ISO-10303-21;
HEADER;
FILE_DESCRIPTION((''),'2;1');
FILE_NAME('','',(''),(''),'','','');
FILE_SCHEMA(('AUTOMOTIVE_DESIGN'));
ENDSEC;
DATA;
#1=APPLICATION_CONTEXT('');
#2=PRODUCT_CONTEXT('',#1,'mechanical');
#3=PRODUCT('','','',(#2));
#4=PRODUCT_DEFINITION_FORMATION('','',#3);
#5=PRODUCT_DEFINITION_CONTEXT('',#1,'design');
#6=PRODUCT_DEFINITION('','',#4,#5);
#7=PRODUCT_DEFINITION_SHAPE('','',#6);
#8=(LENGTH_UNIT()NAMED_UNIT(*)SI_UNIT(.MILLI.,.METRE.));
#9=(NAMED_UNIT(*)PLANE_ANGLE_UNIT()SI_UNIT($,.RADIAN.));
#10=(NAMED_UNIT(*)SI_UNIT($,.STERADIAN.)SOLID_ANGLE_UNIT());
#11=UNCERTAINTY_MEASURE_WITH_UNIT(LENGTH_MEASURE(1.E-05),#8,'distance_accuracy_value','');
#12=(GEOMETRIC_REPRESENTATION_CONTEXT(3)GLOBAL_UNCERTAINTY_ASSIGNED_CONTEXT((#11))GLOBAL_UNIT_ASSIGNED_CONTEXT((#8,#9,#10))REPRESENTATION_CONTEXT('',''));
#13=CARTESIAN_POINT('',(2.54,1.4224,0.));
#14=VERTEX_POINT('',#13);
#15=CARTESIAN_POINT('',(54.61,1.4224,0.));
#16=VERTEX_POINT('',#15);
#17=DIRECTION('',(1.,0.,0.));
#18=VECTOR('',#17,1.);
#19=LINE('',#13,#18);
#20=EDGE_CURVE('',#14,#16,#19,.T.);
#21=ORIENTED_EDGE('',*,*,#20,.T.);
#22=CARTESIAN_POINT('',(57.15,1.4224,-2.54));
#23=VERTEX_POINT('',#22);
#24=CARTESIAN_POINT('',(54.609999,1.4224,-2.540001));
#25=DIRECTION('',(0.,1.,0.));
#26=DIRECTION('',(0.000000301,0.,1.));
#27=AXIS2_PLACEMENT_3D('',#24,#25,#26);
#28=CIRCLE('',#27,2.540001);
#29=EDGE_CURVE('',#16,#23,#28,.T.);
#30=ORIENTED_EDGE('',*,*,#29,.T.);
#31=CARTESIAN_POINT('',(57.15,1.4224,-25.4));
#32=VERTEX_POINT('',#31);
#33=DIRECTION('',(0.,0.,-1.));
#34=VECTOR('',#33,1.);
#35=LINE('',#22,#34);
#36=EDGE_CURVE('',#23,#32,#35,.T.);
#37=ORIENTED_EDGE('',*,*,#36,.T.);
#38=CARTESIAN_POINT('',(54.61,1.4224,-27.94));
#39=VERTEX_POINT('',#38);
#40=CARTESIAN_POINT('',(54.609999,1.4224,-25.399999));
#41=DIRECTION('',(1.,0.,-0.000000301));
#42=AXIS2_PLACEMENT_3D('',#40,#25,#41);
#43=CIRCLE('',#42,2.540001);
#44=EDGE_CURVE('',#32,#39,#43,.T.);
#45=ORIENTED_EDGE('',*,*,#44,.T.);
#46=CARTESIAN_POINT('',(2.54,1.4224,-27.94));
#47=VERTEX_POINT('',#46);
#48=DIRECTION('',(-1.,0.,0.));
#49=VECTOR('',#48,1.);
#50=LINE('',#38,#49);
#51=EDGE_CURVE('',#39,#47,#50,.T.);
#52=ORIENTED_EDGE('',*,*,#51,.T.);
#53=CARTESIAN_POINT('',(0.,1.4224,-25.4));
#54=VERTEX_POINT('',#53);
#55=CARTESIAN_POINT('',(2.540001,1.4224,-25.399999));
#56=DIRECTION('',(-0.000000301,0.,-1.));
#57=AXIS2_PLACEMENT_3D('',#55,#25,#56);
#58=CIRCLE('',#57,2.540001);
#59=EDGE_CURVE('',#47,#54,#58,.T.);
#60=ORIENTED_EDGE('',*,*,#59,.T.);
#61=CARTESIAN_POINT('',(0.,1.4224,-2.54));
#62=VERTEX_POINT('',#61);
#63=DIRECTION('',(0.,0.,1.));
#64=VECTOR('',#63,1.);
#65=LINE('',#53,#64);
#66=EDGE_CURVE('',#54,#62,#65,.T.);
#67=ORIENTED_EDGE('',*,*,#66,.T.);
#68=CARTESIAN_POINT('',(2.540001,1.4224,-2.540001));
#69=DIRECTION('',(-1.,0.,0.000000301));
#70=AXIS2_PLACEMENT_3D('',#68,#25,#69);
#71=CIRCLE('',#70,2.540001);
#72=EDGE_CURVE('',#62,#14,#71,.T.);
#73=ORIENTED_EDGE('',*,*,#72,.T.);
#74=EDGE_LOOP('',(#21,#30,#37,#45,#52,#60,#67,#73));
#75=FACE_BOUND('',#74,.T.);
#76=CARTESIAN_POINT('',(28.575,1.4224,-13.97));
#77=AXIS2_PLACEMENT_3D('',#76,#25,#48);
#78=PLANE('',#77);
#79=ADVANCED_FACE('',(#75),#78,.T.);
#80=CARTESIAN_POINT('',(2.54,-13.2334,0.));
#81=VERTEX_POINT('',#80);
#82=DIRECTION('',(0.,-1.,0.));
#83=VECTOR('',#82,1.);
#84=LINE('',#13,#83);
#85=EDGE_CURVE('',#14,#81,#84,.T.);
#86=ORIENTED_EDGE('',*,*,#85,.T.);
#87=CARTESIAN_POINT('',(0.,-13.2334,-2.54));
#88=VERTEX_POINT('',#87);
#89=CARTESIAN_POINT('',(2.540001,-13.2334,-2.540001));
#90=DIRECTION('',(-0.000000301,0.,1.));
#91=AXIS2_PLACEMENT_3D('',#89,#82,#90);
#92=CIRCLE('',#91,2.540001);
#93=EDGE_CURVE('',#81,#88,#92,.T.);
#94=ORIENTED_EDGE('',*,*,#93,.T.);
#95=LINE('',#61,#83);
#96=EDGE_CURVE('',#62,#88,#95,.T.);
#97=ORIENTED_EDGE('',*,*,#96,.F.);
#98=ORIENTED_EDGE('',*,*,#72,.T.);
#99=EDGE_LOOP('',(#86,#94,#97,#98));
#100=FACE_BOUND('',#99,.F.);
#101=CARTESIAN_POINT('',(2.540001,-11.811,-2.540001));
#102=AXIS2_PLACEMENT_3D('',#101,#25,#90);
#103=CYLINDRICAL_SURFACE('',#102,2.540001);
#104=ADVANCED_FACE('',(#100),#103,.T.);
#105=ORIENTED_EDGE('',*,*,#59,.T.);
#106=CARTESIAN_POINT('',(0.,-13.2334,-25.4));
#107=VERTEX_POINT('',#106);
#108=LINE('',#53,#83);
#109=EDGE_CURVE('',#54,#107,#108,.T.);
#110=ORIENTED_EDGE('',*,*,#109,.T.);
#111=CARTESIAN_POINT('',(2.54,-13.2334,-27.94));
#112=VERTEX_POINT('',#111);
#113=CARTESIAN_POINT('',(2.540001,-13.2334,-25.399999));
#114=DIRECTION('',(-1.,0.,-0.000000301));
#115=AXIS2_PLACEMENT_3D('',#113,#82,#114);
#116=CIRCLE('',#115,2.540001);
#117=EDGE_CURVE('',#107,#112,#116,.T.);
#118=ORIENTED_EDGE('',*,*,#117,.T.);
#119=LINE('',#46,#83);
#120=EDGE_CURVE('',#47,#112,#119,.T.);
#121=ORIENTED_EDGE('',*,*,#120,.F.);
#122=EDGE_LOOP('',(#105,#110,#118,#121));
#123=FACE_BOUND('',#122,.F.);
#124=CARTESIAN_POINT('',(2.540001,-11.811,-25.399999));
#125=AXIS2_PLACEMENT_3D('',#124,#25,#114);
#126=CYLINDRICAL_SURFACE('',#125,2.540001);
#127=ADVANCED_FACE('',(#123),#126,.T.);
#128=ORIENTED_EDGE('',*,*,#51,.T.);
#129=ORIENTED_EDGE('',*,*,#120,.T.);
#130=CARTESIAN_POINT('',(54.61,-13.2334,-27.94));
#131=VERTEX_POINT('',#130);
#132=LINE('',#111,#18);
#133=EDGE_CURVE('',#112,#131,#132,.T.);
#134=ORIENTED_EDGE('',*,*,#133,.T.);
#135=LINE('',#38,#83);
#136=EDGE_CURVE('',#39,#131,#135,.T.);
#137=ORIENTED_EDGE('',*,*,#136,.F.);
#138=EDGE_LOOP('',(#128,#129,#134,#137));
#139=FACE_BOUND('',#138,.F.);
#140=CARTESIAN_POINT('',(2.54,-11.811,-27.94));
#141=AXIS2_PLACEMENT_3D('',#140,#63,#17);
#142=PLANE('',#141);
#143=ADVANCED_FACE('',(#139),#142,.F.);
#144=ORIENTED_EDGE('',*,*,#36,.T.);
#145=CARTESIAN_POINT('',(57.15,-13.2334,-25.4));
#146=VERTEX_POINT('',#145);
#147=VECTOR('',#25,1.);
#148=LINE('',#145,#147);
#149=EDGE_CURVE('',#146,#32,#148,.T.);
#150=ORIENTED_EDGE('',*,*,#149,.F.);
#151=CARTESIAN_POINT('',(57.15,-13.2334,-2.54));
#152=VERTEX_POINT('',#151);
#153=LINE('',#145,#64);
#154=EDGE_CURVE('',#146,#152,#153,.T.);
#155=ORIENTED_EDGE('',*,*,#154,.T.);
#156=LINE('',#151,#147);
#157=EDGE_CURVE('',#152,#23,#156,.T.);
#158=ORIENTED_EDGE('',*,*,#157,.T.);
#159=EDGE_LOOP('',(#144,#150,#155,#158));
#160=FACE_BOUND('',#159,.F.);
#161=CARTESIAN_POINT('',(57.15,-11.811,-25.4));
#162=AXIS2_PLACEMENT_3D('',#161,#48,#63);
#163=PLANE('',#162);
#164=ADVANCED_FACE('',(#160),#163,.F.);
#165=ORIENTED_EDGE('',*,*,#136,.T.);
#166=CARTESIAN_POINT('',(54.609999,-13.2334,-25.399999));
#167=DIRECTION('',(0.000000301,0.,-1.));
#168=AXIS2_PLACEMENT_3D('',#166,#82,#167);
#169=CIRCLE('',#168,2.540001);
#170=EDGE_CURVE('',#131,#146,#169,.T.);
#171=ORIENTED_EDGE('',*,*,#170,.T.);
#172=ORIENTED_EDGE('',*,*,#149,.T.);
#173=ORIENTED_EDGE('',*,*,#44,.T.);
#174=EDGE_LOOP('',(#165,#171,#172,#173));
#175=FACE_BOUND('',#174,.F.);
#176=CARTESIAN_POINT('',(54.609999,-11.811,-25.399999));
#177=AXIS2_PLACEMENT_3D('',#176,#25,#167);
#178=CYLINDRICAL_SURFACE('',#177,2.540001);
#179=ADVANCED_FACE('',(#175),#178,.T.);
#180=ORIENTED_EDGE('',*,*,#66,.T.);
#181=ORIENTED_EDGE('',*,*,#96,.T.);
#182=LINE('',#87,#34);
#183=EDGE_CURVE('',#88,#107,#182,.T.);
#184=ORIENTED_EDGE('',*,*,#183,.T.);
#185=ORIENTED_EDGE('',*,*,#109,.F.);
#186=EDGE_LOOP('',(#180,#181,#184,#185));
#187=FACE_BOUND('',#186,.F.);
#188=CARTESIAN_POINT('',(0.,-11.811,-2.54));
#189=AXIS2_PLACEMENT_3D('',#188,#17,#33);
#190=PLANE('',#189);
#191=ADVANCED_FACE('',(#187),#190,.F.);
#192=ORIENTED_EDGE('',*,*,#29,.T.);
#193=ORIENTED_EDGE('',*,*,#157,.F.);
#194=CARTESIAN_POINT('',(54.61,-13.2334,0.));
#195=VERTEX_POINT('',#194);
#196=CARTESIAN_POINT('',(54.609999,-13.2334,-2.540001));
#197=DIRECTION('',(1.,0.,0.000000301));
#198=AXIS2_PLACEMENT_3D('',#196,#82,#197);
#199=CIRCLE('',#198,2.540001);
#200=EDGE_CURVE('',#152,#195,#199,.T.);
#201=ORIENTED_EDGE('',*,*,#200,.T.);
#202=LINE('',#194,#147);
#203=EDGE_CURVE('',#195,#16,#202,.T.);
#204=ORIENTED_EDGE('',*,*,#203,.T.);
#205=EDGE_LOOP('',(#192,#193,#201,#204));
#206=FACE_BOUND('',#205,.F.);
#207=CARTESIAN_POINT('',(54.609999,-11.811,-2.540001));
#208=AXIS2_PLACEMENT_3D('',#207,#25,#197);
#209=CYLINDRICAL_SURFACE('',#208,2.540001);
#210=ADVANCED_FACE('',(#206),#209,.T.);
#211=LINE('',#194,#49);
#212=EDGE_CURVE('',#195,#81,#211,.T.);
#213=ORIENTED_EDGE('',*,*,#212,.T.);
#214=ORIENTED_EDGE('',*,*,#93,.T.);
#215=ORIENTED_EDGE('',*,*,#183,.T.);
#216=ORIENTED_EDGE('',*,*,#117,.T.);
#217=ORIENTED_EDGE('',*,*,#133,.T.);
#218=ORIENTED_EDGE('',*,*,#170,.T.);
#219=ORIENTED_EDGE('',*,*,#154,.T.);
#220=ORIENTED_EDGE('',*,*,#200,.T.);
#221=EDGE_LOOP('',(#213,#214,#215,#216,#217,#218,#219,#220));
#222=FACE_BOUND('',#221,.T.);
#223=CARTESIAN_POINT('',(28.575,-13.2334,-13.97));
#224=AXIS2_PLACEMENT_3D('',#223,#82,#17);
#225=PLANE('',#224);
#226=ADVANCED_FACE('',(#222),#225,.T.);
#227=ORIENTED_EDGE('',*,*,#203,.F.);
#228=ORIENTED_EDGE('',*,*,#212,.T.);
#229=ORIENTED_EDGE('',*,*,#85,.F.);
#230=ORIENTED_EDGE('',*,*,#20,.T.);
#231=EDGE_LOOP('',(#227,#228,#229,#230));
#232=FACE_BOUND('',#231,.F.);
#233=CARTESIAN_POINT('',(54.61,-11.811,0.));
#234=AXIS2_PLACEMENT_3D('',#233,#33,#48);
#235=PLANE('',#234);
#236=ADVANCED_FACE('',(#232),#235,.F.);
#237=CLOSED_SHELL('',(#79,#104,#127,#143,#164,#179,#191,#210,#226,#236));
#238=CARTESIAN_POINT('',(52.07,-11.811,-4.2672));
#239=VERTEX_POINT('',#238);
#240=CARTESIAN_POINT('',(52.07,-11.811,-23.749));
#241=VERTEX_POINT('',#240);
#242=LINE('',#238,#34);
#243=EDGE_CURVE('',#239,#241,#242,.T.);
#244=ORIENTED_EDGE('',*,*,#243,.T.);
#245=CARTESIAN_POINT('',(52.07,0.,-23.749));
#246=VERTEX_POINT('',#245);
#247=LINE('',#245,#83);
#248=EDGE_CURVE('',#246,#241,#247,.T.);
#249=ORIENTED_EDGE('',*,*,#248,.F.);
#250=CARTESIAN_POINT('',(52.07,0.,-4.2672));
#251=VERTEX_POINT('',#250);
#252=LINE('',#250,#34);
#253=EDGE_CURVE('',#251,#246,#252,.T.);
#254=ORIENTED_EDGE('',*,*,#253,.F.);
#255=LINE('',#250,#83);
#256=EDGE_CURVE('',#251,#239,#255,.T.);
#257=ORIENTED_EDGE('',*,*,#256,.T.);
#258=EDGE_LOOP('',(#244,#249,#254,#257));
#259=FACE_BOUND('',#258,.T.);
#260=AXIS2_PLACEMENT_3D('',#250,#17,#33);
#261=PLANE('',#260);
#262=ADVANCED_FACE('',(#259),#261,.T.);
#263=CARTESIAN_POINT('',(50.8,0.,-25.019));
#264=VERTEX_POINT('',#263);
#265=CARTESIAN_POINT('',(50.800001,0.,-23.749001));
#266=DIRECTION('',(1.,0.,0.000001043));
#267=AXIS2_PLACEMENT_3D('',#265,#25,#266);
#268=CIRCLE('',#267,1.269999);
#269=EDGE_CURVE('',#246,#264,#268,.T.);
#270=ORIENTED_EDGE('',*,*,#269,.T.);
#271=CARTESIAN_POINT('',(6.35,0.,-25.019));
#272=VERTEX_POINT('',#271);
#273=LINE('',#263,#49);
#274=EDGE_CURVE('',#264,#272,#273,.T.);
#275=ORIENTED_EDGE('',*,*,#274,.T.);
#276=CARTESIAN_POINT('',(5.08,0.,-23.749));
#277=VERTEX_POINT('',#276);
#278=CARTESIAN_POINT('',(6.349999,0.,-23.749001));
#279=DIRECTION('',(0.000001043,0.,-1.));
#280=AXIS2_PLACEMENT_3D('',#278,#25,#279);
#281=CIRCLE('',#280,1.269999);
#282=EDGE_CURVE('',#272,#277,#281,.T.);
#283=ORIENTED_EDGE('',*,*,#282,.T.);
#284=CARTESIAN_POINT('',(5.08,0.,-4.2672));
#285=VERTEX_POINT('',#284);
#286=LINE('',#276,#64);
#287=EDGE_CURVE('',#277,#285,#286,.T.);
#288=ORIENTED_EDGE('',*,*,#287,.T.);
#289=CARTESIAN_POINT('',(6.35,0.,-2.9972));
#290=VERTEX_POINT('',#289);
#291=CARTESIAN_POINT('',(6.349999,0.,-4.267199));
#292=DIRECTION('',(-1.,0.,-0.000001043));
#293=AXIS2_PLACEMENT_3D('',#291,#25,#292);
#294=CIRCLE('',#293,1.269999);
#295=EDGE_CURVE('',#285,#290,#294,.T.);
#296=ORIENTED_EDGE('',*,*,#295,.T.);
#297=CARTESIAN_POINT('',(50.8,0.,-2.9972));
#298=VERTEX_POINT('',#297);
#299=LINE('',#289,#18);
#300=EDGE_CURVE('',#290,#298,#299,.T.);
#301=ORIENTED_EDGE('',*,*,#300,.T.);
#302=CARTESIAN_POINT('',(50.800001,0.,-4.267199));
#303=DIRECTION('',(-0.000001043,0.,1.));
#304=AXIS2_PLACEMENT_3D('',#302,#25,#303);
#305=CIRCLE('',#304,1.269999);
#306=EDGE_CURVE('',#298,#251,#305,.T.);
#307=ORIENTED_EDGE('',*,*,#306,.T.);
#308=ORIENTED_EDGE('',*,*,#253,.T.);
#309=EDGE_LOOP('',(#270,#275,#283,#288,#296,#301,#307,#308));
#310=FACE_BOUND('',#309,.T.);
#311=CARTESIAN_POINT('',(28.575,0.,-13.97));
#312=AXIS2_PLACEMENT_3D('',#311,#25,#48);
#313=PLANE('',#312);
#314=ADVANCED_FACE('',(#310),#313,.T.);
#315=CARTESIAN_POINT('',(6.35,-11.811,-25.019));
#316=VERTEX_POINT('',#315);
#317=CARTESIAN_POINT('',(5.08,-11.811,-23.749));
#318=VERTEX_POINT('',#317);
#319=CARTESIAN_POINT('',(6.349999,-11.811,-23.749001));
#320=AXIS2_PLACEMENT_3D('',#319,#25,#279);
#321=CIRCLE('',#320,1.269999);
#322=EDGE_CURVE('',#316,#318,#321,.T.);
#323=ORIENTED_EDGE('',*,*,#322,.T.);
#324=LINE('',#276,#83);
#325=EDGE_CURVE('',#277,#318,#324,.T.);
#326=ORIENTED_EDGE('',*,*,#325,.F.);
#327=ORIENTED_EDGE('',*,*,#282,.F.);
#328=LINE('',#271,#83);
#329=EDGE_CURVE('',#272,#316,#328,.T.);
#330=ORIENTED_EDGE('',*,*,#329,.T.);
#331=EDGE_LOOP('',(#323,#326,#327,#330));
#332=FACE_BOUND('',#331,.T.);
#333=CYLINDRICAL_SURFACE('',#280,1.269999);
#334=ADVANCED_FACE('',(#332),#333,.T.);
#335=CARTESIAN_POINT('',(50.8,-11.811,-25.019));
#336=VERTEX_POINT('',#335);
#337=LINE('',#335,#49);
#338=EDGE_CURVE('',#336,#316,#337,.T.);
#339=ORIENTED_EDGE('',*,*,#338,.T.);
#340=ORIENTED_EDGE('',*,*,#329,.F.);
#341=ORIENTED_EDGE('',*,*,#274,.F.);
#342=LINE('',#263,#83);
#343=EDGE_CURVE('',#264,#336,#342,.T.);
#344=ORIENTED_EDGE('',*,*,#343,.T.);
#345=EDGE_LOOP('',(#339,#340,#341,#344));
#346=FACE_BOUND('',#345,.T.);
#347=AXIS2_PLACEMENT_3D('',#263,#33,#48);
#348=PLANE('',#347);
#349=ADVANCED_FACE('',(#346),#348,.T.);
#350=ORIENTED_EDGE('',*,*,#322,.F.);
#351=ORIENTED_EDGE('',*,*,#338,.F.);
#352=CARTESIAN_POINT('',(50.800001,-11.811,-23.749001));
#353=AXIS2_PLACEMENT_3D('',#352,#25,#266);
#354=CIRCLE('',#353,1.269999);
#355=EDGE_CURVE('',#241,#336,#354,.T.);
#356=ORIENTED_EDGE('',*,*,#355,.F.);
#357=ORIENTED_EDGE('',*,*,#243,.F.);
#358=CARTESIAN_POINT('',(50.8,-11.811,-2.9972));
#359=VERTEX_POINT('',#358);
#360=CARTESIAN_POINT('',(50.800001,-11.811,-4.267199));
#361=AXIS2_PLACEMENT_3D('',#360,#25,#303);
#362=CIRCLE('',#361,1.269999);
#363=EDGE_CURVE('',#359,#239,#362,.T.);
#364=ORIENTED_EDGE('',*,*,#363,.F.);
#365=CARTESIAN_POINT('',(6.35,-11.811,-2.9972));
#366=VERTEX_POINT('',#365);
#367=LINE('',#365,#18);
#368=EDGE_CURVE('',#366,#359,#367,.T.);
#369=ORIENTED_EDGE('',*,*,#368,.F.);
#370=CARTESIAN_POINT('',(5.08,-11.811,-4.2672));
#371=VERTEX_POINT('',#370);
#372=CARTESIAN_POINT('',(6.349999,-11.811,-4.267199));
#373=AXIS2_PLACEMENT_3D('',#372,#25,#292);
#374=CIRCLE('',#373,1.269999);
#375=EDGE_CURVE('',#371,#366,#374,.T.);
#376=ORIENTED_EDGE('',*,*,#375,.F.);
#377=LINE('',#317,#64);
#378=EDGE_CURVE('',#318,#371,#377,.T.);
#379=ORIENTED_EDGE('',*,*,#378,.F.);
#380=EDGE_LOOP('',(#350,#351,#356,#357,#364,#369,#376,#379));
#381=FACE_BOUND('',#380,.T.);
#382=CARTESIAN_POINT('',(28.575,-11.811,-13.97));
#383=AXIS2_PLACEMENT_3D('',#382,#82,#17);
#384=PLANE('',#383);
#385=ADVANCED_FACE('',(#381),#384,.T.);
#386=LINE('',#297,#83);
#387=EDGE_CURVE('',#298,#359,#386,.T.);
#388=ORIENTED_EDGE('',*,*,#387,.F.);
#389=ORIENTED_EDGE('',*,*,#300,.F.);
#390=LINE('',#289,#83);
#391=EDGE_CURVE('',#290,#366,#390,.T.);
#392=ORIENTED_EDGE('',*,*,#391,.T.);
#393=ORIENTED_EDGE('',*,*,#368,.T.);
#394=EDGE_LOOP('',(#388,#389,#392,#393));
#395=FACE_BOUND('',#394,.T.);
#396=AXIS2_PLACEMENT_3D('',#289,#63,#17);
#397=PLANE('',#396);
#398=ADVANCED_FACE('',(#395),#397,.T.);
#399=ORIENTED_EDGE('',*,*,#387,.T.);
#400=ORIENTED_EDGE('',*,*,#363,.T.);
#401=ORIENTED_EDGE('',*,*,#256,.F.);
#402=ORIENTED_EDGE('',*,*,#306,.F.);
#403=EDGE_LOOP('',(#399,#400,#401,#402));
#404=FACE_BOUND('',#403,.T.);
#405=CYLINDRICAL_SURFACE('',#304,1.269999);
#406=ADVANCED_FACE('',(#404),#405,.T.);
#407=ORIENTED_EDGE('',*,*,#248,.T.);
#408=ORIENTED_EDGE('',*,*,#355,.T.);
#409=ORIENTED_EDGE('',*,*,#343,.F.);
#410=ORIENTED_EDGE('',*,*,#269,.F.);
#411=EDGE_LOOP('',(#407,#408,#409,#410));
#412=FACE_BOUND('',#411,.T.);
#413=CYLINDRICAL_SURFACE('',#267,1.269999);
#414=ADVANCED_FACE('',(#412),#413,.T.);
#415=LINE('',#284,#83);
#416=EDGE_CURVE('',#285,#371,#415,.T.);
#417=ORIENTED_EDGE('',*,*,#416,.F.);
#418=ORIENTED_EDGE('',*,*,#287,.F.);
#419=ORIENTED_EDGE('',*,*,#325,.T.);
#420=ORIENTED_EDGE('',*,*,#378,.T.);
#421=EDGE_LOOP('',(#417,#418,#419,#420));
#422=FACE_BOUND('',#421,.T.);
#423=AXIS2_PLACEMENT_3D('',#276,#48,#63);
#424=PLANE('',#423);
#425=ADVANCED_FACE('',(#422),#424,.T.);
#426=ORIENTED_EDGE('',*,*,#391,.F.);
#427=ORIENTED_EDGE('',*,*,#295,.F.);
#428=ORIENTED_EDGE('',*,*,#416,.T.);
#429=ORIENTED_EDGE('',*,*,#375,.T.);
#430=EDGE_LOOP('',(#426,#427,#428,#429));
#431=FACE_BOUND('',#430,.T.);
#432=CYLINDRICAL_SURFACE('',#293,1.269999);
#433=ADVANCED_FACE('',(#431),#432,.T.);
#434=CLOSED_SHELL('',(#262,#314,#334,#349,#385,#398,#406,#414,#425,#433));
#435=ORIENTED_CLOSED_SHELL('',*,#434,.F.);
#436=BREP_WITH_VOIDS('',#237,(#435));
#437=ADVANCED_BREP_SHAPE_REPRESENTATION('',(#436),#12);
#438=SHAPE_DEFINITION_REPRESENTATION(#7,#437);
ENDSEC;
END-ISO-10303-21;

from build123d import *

# Parameters (mm, degrees)
F1_DEPTH = 11.811
F3_DEPTH = 1.4224
F5_DEPTH = 1.4224


with BuildPart() as f1:
    # F0 (on Front) → F1 (new body)
    with BuildSketch(Plane.XZ):
        with BuildLine():
            Line((54.61, 0), (2.54, 0))
            ThreePointArc((2.54, 0), (0.743949, -0.743949), (0, -2.54))
            Line((0, -2.54), (0, -25.4))
            ThreePointArc((0, -25.4), (0.743949, -27.196051), (2.54, -27.94))
            Line((2.54, -27.94), (54.61, -27.94))
            ThreePointArc((54.61, -27.94), (56.406051, -27.196051), (57.15, -25.4))
            Line((57.15, -25.4), (57.15, -2.54))
            ThreePointArc((57.15, -2.54), (56.406051, -0.743949), (54.61, 0))
        make_face()
        with BuildLine():
            ThreePointArc((5.08, -4.2672), (5.451974, -3.369174), (6.35, -2.9972))
            Line((6.35, -2.9972), (50.8, -2.9972))
            ThreePointArc((50.8, -2.9972), (51.698026, -3.369174), (52.07, -4.2672))
            Line((52.07, -4.2672), (52.07, -23.749))
            ThreePointArc((52.07, -23.749), (51.698026, -24.647026), (50.8, -25.019))
            Line((50.8, -25.019), (6.35, -25.019))
            ThreePointArc((6.35, -25.019), (5.451974, -24.647026), (5.08, -23.749))
            Line((5.08, -23.749), (5.08, -4.2672))
        make_face(mode=Mode.SUBTRACT)
    extrude(amount=F1_DEPTH)

    # F2 (on face) → F3 (join)
    with BuildSketch(Plane(origin=(0, 0, 0), x_dir=(-1, 0, 0), z_dir=(0, 1, 0))):
        with BuildLine():
            ThreePointArc((0, -2.54), (-0.743949, -0.743949), (-2.54, 0))
            Line((-2.54, 0), (-54.61, 0))
            ThreePointArc((-54.61, 0), (-56.406051, -0.743949), (-57.15, -2.54))
            Line((-57.15, -2.54), (-57.15, -25.4))
            ThreePointArc((-57.15, -25.4), (-56.406051, -27.196051), (-54.61, -27.94))
            Line((-54.61, -27.94), (-2.54, -27.94))
            ThreePointArc((-2.54, -27.94), (-0.743949, -27.196051), (0, -25.4))
            Line((0, -25.4), (0, -2.54))
        make_face()
    extrude(amount=F3_DEPTH)

    # F4 (on face) → F5 (join)
    with BuildSketch(Plane.XZ.offset(11.811)):
        with BuildLine():
            Line((54.61, 0), (2.54, 0))
            ThreePointArc((2.54, 0), (0.743949, -0.743949), (0, -2.54))
            Line((0, -2.54), (0, -25.4))
            ThreePointArc((0, -25.4), (0.743949, -27.196051), (2.54, -27.94))
            Line((2.54, -27.94), (54.61, -27.94))
            ThreePointArc((54.61, -27.94), (56.406051, -27.196051), (57.15, -25.4))
            Line((57.15, -25.4), (57.15, -2.54))
            ThreePointArc((57.15, -2.54), (56.406051, -0.743949), (54.61, 0))
        make_face()
    extrude(amount=F5_DEPTH)


solid = f1.part
